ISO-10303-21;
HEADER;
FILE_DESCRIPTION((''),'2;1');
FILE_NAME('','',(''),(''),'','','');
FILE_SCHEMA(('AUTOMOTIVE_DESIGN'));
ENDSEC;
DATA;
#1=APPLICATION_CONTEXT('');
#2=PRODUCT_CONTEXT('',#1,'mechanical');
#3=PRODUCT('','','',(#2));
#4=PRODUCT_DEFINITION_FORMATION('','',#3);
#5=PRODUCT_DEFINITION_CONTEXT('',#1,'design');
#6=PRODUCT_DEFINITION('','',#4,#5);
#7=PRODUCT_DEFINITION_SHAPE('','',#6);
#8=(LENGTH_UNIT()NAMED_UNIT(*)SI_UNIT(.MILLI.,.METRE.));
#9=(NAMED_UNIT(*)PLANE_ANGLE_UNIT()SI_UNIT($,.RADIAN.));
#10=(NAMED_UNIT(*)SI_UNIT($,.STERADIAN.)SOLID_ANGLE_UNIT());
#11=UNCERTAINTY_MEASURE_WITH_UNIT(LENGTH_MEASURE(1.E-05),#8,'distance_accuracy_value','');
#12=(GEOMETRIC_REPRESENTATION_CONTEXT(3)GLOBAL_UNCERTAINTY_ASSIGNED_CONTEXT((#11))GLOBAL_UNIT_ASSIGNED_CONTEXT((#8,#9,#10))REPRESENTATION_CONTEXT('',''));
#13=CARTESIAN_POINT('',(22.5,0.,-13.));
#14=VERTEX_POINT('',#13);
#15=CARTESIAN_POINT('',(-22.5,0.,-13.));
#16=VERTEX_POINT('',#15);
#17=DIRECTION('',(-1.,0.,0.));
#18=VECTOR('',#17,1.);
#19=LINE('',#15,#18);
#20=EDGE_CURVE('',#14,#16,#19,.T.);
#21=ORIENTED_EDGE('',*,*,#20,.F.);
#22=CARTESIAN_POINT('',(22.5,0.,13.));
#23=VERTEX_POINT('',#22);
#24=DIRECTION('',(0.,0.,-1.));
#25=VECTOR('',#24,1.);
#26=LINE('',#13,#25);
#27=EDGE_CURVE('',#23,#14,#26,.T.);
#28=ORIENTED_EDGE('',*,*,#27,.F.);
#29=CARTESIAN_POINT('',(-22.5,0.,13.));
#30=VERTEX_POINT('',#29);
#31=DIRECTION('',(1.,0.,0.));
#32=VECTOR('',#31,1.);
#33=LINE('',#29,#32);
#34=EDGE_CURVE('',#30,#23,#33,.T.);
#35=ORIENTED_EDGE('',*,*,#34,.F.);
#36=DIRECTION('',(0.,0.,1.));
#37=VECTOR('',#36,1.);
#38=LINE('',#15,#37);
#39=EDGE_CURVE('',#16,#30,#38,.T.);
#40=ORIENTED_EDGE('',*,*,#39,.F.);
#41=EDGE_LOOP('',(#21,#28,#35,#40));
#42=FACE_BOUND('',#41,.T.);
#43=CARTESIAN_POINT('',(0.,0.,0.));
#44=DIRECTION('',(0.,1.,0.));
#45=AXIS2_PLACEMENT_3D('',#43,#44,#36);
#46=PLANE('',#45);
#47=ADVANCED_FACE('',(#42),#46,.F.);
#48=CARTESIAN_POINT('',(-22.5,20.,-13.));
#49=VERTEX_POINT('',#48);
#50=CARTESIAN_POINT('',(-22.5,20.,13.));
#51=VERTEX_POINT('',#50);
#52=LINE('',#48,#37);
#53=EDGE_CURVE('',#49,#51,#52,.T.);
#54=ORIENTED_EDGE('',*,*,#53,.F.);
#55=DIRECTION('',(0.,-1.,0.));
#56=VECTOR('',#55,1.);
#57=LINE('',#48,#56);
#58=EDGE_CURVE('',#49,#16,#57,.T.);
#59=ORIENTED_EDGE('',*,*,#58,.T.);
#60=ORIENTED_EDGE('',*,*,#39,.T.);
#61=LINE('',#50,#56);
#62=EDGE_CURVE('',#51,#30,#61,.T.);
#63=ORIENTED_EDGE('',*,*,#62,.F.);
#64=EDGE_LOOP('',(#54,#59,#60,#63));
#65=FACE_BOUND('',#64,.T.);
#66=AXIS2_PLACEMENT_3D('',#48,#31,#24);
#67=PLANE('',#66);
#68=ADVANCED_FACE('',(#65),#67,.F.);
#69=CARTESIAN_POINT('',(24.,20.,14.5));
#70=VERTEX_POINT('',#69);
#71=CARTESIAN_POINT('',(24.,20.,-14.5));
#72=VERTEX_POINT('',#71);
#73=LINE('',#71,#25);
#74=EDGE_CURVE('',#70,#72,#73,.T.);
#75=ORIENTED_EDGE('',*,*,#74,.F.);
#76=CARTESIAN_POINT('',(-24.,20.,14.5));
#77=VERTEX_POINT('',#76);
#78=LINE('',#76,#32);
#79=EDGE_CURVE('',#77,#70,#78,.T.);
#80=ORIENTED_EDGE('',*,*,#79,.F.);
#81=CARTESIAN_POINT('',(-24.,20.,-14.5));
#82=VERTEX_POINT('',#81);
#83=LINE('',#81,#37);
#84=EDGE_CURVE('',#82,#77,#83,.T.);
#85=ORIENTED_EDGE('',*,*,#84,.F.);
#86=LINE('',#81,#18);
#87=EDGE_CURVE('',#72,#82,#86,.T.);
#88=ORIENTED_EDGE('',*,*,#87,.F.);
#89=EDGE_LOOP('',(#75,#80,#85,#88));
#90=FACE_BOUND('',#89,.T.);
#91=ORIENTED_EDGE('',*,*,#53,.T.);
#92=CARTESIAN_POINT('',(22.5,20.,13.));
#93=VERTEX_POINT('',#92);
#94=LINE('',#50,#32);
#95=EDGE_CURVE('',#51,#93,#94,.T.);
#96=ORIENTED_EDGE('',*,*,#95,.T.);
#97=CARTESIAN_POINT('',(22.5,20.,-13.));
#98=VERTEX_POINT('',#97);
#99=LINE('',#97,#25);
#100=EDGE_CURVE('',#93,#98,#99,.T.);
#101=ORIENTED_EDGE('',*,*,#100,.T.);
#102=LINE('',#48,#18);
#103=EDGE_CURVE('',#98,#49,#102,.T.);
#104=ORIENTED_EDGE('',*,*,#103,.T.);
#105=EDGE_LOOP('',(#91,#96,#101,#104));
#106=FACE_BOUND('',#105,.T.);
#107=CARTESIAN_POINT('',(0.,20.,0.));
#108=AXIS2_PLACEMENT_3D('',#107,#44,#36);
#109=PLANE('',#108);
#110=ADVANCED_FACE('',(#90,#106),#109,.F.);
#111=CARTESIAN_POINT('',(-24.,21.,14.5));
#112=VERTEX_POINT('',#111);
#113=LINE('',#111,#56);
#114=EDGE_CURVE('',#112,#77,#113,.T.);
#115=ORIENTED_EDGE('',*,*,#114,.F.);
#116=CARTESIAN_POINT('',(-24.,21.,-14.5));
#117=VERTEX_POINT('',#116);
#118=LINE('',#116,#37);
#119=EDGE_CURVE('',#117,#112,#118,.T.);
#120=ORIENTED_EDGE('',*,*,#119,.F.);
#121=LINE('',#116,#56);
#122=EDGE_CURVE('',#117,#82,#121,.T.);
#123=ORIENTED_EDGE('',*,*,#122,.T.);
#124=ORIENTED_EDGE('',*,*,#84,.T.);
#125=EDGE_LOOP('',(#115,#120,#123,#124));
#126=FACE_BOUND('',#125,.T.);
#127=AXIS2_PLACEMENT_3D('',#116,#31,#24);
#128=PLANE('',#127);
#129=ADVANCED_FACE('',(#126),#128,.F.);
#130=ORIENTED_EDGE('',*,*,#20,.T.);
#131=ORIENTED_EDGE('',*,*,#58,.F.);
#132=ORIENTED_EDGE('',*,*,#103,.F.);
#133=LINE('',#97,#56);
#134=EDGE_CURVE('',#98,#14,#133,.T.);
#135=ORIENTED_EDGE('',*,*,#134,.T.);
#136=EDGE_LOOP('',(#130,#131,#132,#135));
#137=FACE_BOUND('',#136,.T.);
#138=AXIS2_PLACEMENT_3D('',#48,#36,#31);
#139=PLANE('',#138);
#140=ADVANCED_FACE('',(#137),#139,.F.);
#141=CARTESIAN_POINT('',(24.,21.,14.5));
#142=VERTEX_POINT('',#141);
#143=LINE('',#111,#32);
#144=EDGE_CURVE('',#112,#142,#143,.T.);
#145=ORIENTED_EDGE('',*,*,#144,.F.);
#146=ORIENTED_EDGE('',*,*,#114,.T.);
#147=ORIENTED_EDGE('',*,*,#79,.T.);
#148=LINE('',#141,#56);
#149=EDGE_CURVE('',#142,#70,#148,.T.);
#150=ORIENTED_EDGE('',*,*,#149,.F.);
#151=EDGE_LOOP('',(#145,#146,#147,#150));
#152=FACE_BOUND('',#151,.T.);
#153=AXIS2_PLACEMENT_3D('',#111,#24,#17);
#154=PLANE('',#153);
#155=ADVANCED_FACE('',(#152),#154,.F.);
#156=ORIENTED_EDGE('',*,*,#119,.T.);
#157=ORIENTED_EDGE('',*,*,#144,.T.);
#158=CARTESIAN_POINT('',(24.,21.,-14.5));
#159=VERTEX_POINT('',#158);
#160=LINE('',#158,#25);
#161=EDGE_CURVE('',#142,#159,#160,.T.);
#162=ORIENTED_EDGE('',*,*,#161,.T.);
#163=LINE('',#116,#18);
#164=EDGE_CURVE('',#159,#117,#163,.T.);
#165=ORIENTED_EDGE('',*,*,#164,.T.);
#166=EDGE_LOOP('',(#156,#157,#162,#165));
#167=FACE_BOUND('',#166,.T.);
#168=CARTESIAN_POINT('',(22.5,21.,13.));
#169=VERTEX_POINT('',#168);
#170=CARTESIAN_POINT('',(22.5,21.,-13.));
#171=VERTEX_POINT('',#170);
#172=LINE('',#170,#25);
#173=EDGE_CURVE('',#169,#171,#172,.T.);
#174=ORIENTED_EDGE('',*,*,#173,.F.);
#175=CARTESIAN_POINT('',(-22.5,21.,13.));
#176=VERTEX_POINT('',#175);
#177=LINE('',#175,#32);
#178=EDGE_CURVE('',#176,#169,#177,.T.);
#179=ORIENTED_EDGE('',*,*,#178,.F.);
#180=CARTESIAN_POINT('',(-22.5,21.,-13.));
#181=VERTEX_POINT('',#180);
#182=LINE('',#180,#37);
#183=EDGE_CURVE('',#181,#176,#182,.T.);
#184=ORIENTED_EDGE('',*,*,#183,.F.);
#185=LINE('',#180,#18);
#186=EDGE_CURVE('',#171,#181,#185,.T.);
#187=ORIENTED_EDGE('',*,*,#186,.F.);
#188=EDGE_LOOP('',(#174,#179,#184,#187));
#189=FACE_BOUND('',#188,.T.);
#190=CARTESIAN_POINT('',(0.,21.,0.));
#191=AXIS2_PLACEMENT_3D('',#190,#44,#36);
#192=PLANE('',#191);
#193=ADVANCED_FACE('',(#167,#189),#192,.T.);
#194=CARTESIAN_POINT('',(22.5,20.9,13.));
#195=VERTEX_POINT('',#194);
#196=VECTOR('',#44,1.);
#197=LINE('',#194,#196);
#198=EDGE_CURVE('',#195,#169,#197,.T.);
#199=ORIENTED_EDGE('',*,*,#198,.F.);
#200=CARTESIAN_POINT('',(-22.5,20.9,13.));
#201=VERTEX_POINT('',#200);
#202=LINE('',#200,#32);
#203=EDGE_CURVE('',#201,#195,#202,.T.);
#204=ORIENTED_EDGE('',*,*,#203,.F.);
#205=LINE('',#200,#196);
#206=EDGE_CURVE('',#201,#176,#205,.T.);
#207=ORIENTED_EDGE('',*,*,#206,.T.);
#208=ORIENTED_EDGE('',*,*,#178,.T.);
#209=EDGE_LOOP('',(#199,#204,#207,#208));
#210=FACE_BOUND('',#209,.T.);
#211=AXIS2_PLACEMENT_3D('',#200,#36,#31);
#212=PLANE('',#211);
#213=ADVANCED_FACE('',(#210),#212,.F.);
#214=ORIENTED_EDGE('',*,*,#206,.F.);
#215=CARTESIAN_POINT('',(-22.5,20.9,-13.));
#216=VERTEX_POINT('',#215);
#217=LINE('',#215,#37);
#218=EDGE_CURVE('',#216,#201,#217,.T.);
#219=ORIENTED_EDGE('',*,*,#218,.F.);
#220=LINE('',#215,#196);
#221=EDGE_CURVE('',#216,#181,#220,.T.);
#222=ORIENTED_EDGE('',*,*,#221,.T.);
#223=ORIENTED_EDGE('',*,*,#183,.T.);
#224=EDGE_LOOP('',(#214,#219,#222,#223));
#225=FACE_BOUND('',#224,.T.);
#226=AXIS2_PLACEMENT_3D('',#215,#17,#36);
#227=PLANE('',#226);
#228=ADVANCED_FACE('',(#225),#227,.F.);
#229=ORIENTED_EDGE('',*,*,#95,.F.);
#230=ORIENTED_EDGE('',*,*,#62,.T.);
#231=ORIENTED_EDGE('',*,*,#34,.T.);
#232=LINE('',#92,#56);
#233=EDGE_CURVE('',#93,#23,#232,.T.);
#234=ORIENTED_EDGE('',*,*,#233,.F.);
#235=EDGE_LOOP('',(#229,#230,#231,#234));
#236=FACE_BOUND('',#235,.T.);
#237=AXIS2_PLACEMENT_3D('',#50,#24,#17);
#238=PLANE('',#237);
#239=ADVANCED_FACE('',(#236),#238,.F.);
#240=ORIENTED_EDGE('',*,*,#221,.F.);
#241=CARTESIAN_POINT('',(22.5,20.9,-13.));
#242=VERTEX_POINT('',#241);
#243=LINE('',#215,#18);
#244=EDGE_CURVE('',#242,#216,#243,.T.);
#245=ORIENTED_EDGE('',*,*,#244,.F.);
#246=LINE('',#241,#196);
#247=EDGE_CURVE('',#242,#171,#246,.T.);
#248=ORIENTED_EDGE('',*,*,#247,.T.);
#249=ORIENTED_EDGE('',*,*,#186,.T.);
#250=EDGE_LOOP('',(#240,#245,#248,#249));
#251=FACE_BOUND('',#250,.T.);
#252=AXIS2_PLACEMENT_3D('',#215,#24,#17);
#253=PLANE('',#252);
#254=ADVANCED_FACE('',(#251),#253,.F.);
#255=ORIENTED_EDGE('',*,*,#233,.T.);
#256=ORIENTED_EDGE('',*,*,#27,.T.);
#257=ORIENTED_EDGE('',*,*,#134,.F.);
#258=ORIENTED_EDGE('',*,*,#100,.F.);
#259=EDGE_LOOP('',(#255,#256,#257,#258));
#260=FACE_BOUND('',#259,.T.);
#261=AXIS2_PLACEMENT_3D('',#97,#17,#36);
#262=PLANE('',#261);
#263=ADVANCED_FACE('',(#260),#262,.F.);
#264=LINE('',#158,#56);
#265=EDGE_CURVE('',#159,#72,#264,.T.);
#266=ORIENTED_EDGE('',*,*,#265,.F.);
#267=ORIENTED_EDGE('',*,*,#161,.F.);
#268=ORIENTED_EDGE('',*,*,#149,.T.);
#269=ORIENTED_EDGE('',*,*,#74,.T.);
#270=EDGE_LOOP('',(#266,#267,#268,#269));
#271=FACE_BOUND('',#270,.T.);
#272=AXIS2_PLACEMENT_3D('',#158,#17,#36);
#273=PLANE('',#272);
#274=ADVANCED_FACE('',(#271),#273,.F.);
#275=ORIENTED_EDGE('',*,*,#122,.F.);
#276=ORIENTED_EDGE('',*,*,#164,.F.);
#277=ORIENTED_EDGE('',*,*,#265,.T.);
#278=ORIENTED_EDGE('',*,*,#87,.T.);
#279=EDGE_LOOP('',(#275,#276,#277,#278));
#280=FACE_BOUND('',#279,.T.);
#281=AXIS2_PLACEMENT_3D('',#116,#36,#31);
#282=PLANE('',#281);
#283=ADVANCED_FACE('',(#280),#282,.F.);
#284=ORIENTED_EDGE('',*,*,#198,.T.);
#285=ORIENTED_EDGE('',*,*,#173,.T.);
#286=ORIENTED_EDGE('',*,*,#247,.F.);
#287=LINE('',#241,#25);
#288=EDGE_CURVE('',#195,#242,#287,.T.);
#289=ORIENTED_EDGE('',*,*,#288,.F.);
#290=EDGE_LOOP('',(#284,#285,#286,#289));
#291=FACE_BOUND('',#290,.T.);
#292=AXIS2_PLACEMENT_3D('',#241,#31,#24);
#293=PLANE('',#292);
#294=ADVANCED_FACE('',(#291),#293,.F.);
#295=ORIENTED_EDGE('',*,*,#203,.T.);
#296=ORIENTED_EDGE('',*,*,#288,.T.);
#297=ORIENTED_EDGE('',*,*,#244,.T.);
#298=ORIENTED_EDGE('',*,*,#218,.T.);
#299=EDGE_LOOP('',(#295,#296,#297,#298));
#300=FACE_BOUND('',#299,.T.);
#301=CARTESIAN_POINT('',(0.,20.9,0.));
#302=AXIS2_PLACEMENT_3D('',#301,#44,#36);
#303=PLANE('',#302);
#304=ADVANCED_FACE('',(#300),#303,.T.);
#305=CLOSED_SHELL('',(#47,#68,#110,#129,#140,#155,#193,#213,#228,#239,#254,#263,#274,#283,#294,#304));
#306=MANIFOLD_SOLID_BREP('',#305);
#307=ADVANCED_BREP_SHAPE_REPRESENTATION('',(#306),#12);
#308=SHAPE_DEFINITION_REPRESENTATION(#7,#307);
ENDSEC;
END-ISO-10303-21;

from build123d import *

# Parameters (mm, degrees)
SKETCH_1_W          = 45
SKETCH_1_H          = 26
EXTRUDE_4_DEPTH     = 20
SKETCH_3_W          = 48
SKETCH_3_H          = 29
EXTRUDE_5_DEPTH     = 1
SKETCH_4_W          = 45
SKETCH_4_H          = 26
CUT_EXTRUDE_1_DEPTH = 0.1


with BuildPart() as part:
    # 草图1 → 凸台-拉伸4 (new body)
    with BuildSketch(Plane(origin=(0, 0, 0), x_dir=(1, 0, 0), z_dir=(0, 1, 0))):
        Rectangle(SKETCH_1_W, SKETCH_1_H)
    extrude(amount=EXTRUDE_4_DEPTH)

    # 草图3 → 凸台-拉伸5 (add)
    with BuildSketch(Plane(origin=(0, 20, 0), x_dir=(1, 0, 0), z_dir=(0, 1, 0))):
        Rectangle(SKETCH_3_W, SKETCH_3_H)
    extrude(amount=EXTRUDE_5_DEPTH)

    # 草图4 → 切除-拉伸1 (cut)
    with BuildSketch(Plane(origin=(0, 21, 0), x_dir=(1, 0, 0), z_dir=(0, 1, 0))):
        Rectangle(SKETCH_4_W, SKETCH_4_H)
    extrude(amount=-CUT_EXTRUDE_1_DEPTH, mode=Mode.SUBTRACT)


solid = part.part
